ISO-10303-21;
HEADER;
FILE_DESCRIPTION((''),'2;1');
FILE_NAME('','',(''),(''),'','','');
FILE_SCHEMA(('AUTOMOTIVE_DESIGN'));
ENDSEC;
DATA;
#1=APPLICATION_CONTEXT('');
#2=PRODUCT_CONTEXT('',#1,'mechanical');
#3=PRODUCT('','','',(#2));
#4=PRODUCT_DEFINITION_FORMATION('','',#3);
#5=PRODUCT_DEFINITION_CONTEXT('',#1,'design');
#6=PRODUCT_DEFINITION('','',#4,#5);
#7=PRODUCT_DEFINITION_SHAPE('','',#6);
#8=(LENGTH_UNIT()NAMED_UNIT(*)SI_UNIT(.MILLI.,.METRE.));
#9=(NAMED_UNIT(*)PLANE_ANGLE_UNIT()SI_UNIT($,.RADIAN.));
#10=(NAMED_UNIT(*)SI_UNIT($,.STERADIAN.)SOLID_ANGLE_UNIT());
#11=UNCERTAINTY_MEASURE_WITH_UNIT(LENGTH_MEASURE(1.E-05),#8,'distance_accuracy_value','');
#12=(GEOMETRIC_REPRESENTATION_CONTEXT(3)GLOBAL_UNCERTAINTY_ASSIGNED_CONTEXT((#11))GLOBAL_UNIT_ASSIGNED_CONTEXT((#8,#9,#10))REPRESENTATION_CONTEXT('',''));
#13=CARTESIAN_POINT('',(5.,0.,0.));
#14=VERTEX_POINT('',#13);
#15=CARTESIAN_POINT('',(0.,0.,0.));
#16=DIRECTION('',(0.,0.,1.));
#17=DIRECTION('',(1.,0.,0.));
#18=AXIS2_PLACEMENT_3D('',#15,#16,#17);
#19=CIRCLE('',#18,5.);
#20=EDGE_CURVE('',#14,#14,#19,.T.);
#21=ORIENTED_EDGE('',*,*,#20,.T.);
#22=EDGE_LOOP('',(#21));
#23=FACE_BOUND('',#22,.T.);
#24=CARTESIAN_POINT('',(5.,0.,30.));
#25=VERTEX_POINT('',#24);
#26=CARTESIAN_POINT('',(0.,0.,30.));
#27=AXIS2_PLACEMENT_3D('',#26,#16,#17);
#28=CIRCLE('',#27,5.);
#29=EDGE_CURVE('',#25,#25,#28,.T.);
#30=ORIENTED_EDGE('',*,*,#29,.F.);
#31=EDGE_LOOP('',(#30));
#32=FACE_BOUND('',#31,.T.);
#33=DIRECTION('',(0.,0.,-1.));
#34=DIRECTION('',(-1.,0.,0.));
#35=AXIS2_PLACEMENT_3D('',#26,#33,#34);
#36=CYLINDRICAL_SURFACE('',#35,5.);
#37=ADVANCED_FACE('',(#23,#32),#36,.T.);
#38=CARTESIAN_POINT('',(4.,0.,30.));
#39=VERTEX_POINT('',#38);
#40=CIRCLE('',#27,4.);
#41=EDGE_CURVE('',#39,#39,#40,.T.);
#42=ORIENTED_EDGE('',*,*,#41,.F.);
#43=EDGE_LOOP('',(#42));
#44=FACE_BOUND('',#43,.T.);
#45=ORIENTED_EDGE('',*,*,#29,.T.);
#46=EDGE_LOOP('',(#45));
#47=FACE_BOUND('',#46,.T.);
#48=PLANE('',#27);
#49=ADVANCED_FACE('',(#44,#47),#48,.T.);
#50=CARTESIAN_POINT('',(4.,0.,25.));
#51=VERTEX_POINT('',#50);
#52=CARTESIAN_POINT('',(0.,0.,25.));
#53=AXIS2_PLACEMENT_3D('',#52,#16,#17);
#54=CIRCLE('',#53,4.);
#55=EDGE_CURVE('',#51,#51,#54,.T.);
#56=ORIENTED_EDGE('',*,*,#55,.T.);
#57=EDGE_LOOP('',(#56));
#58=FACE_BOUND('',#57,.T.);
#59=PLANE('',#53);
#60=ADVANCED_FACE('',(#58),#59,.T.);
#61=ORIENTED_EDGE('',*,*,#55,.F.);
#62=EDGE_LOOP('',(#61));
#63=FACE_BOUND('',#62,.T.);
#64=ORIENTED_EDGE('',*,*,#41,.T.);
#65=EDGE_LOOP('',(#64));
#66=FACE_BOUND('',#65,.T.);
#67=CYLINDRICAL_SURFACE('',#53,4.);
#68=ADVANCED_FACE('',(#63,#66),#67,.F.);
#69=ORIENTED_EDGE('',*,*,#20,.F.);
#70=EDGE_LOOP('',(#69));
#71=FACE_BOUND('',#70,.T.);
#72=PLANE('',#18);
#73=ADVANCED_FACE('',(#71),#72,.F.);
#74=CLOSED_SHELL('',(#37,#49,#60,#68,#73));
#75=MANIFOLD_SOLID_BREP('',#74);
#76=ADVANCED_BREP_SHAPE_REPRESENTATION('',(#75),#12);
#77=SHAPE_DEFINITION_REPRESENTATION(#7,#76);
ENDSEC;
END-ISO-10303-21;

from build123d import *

# Parameters (mm, degrees)
SKETCH1_R           = 5
BOSS_EXTRUDE1_DEPTH = 30
SKETCH2_R           = 4
CUT_EXTRUDE1_DEPTH  = 5


with BuildPart() as part:
    # Sketch1 → Boss-Extrude1 (new body)
    with BuildSketch(Plane.XY):
        Circle(SKETCH1_R)
    extrude(amount=BOSS_EXTRUDE1_DEPTH)

    # Sketch2 → Cut-Extrude1 (cut)
    with BuildSketch(Plane.XY.offset(30)):
        Circle(SKETCH2_R)
    extrude(amount=-CUT_EXTRUDE1_DEPTH, mode=Mode.SUBTRACT)


solid = part.part
